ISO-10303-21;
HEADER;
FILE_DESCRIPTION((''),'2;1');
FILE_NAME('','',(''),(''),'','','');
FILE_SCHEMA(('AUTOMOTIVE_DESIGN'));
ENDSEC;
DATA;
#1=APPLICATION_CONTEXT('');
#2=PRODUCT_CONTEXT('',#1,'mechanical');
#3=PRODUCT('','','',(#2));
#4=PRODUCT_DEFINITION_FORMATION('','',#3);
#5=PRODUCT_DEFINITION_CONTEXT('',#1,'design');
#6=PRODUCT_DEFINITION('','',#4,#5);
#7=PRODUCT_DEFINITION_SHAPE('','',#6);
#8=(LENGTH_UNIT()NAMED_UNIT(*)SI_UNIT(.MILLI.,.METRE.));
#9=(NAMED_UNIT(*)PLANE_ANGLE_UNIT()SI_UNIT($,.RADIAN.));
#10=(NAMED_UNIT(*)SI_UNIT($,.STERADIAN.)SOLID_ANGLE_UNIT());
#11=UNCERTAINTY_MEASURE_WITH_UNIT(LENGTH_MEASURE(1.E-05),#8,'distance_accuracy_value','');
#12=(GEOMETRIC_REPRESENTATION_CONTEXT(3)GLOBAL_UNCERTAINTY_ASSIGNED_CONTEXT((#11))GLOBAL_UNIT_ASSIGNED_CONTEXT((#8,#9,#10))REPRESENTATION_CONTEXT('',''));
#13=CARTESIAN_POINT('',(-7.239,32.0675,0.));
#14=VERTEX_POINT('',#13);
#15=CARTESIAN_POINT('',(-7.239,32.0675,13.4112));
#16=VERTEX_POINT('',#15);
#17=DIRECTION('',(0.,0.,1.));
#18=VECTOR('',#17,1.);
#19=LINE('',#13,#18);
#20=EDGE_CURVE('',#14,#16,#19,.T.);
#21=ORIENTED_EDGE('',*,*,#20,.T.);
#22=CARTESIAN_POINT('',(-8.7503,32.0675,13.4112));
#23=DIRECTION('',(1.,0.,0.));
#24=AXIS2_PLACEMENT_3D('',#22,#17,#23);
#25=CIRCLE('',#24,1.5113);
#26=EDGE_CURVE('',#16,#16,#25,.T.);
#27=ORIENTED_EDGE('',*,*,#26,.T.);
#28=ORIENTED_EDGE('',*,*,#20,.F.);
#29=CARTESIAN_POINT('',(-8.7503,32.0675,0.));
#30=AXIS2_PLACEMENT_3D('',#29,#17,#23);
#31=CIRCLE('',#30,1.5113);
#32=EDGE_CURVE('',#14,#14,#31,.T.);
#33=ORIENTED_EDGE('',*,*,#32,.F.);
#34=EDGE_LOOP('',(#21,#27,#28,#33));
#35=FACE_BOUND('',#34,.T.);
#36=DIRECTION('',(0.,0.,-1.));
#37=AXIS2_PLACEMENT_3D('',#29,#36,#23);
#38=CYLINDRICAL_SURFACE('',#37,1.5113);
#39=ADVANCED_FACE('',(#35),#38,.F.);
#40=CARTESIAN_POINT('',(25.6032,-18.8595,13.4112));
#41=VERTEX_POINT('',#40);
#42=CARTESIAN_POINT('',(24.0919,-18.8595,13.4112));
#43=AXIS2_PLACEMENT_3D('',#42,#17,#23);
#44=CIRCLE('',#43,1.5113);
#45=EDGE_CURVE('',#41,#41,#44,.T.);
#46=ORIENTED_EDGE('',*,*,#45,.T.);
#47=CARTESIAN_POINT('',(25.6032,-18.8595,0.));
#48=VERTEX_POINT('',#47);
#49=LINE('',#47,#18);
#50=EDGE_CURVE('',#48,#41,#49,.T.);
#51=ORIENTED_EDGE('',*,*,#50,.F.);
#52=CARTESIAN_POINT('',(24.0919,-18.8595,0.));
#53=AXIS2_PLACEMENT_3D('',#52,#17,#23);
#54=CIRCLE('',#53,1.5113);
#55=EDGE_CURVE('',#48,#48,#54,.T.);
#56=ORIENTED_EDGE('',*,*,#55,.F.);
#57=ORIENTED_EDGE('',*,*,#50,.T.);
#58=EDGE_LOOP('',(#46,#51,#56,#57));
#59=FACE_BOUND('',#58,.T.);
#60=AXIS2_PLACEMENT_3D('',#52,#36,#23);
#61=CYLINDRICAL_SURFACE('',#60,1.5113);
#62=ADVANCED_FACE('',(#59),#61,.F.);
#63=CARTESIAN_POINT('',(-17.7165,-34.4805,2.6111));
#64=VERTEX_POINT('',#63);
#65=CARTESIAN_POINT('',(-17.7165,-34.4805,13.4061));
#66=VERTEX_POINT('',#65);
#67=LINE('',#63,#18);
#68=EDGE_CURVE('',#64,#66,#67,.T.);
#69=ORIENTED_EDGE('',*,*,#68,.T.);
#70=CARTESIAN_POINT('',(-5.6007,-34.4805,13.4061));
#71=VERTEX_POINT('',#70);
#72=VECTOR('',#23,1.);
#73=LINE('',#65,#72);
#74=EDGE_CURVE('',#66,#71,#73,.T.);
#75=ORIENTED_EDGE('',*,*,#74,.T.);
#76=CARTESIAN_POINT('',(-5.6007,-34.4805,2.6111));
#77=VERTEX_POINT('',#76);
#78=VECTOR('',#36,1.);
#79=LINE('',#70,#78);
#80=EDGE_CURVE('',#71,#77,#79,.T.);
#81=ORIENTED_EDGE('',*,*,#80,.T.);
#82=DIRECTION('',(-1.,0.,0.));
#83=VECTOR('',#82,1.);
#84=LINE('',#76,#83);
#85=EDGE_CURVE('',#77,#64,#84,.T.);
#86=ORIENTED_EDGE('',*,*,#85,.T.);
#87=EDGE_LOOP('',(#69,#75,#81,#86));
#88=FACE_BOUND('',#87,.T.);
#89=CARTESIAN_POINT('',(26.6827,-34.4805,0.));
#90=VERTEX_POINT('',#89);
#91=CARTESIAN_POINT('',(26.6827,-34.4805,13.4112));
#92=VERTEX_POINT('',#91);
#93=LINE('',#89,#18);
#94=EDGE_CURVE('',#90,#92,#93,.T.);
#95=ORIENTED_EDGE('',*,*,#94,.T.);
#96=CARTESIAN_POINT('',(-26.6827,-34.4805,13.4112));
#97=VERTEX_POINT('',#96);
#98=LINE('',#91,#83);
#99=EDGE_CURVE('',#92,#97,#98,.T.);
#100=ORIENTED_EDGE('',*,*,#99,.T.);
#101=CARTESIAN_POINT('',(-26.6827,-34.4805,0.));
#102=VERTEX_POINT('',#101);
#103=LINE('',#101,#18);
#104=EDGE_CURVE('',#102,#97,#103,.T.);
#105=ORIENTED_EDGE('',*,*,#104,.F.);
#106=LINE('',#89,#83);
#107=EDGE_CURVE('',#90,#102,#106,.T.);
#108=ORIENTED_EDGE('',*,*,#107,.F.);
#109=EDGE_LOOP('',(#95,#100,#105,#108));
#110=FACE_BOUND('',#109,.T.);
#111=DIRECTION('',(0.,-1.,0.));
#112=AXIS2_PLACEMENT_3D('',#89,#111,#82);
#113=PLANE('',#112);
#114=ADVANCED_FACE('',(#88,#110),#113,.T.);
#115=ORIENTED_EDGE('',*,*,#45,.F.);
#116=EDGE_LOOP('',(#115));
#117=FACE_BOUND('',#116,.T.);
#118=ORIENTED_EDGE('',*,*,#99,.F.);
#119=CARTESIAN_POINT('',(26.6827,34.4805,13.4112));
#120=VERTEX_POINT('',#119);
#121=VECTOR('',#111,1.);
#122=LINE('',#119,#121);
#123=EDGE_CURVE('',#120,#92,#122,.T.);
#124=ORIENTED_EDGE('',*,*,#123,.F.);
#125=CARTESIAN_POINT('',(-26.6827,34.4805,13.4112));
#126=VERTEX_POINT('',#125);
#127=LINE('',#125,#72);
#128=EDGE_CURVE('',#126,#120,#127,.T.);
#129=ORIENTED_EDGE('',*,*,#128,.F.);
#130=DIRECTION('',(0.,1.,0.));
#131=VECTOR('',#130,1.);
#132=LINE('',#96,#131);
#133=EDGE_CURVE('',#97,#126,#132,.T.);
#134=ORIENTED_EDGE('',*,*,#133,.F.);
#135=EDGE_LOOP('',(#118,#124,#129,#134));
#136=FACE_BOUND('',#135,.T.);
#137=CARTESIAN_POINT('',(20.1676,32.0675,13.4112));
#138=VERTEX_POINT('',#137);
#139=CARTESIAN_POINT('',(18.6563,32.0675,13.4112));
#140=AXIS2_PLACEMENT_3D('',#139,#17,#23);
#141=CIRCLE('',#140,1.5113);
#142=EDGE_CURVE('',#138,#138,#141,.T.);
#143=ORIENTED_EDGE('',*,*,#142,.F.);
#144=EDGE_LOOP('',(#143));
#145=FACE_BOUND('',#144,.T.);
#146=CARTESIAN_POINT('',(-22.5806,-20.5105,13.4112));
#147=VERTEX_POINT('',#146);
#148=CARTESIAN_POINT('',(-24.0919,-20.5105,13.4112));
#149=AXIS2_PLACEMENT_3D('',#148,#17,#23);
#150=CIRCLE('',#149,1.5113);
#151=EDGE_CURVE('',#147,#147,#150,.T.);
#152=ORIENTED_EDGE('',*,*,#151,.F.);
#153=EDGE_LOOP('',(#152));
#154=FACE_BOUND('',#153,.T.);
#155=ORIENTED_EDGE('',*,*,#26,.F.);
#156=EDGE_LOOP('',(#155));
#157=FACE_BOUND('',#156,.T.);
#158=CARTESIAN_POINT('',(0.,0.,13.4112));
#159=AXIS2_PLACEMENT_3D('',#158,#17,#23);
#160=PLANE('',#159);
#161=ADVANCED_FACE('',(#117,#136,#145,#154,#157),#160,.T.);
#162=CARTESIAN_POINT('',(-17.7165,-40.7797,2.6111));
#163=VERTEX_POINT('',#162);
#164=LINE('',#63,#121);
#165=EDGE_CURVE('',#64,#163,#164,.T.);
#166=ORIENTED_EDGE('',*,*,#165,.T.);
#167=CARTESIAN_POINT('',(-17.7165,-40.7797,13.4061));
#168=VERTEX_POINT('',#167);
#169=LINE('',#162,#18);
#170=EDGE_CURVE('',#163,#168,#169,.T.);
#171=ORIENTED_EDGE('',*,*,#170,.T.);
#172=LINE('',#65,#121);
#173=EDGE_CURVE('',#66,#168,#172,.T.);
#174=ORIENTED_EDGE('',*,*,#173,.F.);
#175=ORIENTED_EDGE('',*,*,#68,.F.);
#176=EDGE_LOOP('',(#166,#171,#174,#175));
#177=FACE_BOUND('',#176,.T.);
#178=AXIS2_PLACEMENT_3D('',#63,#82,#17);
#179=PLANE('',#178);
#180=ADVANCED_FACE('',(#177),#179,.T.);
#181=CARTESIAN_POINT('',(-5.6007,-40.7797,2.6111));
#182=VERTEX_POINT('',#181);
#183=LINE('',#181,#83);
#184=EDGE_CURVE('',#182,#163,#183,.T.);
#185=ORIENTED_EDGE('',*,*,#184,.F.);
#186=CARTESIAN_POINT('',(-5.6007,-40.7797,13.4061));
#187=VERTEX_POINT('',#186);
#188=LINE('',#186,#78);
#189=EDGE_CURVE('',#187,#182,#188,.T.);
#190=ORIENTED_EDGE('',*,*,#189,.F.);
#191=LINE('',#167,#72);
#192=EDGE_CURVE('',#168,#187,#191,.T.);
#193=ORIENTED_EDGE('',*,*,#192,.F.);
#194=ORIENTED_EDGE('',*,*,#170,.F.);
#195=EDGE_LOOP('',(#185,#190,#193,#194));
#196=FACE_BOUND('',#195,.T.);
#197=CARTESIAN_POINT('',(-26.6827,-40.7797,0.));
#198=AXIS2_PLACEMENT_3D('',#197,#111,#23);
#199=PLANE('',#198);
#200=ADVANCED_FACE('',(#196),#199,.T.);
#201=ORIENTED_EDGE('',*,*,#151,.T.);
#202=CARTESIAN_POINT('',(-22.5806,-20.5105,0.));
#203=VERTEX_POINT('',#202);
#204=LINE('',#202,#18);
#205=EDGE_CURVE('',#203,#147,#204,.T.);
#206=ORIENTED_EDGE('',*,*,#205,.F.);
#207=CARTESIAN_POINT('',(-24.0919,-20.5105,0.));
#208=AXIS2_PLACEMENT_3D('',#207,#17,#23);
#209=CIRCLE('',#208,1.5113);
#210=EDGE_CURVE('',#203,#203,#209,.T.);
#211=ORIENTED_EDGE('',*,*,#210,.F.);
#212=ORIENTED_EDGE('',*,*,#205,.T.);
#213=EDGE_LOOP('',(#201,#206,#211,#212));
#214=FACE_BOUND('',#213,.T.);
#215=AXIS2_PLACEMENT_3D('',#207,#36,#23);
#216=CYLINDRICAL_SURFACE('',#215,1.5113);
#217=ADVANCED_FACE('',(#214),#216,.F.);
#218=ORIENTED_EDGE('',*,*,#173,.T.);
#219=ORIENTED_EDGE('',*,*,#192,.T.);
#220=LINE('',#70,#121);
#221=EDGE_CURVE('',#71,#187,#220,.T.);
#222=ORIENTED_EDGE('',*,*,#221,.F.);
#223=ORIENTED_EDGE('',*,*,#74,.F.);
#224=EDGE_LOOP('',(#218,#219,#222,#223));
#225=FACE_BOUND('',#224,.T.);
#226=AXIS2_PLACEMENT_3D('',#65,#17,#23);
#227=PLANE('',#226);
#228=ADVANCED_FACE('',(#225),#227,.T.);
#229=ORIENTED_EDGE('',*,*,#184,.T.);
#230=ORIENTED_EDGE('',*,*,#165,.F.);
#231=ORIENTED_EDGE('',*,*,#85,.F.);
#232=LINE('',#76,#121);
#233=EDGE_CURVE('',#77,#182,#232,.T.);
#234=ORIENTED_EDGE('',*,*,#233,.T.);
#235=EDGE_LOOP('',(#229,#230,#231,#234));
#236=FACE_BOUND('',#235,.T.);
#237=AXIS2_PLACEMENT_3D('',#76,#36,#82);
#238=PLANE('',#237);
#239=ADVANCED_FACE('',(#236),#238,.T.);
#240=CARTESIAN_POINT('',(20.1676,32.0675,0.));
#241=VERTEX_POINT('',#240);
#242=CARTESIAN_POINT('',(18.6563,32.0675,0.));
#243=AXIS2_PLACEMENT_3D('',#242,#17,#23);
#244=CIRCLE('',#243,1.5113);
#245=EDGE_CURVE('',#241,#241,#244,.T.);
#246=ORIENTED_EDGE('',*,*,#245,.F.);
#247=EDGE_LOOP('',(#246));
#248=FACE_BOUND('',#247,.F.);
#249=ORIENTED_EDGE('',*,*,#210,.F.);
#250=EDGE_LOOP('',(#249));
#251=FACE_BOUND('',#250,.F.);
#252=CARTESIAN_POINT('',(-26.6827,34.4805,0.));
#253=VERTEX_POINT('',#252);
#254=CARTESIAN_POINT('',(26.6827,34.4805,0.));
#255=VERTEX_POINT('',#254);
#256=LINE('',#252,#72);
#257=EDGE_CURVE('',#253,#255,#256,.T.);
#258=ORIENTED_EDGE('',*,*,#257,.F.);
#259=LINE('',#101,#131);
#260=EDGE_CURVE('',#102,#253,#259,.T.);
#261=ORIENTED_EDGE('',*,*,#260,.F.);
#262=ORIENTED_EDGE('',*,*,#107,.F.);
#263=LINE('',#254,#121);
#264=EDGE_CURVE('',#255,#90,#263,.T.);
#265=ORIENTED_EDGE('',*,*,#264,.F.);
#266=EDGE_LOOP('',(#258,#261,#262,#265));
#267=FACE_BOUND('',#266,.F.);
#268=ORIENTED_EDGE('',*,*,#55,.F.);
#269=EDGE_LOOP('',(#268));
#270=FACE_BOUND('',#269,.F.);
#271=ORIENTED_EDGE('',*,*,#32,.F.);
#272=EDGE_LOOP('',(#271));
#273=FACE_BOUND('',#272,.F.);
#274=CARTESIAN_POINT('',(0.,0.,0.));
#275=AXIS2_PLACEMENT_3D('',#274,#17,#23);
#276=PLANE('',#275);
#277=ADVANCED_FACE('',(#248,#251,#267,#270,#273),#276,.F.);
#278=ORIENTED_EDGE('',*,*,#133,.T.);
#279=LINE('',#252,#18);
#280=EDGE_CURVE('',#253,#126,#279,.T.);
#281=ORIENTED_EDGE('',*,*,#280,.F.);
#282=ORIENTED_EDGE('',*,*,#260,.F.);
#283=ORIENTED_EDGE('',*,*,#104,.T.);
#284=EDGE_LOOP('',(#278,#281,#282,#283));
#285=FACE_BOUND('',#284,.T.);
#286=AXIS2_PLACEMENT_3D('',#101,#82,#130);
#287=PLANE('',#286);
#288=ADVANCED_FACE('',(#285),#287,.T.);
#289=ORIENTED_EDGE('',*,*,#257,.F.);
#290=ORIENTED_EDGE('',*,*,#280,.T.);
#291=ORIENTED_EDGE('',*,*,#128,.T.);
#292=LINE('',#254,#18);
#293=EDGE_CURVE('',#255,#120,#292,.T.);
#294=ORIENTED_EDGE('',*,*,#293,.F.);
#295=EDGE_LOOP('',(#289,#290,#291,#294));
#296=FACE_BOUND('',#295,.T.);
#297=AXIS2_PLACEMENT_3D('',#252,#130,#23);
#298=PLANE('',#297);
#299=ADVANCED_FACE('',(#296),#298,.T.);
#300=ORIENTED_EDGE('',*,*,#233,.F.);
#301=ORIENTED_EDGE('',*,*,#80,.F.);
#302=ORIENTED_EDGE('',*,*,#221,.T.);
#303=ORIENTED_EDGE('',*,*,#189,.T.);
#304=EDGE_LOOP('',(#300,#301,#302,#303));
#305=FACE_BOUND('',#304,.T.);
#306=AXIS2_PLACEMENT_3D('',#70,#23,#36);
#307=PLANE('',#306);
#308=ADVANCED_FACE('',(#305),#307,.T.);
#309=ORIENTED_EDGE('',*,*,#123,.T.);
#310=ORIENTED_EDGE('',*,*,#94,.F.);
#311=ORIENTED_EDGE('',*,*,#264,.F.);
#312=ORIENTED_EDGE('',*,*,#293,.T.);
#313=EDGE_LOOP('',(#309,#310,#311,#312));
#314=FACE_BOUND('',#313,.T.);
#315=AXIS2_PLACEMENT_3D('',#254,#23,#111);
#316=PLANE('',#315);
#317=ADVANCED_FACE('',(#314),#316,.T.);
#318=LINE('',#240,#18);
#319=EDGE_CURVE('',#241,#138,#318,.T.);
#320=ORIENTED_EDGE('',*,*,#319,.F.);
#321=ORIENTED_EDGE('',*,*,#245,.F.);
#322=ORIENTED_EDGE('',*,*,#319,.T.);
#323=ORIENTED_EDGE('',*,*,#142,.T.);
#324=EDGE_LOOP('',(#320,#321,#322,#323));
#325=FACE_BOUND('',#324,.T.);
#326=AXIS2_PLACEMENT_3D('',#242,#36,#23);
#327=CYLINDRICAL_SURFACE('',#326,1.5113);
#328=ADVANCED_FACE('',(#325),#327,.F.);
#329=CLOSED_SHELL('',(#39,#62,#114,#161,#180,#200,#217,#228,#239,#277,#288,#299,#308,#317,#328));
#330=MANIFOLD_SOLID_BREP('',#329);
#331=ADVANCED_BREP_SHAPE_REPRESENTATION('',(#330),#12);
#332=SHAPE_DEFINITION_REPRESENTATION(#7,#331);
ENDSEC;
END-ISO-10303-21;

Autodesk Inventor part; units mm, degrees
ref_plane "YZ Plane" through (0, 0, 0) normal (1, 0, 0) x (0, 1, 0)
ref_plane "XZ Plane" through (0, 0, 0) normal (0, 1, 0) x (-1, 0, 0)
ref_plane "XY Plane" through (0, 0, 0) normal (0, 0, 1) x (1, 0, 0)
sketch "Sketch1" plane through (0, 0, 0) normal (0, 0, 1) x (1, 0, 0)
  line L0 (-26.6827, 34.4805) -> (26.6827, 34.4805)
  line L1 (26.6827, 34.4805) -> (26.6827, -34.4805)
  line L2 (26.6827, -34.4805) -> (-26.6827, -34.4805)
  line L3 (-26.6827, -34.4805) -> (-26.6827, 34.4805)
  circle A0 centre (24.0919, -18.8595) radius 1.5113
  circle A1 centre (-24.0919, -20.5105) radius 1.5113
  circle A2 centre (-8.7503, 32.0675) radius 1.5113
  circle A3 centre (18.6563, 32.0675) radius 1.5113
  point P0 (0, 0)
  dimension "d0" = 53.3654
  dimension "d1" = 68.961
  dimension "d2" = 3.0226
  dimension "d3" = 3.0226
  dimension "d4" = 15.621
  dimension "d5" = 13.97
  dimension "d6" = 2.5908
  dimension "d7" = 2.5908
  dimension "d8" = 3.0226
  dimension "d9" = 3.0226
  dimension "d11" = 17.9324
  dimension "d12" = 8.0264
  dimension "d13" = 2.413
extrude "Extrusion1" add sketch "Sketch1" along normal blind 13.4112
sketch "Sketch2" plane through (-26.6827, -34.4805, 0) normal (0, -1, 0) x (1, 0, 0)
  line L0 (0, 0) -> (53.3654, 0) projected
  line L1 (8.9662, 13.4061) -> (21.082, 13.4061)
  line L2 (21.082, 13.4061) -> (21.082, 2.6111)
  line L3 (21.082, 2.6111) -> (8.9662, 2.6111)
  line L4 (8.9662, 2.6111) -> (8.9662, 13.4061)
  line L5 (8.9662, 13.4061) -> (21.082, 2.6111) construction
  line L6 (21.082, 13.4061) -> (8.9662, 2.6111) construction
  line L7 (0, 0) -> (0, 13.4112) projected
  point P0 (26.6827, 0)
  point P1 (15.0241, 8.0086)
  dimension "d16" = 12.1158
  dimension "d17" = 10.795
  dimension "d18" = 8.9662
extrude "Extrusion2" add sketch "Sketch2" along normal blind 6.2992
properties part number "arduino uno"
